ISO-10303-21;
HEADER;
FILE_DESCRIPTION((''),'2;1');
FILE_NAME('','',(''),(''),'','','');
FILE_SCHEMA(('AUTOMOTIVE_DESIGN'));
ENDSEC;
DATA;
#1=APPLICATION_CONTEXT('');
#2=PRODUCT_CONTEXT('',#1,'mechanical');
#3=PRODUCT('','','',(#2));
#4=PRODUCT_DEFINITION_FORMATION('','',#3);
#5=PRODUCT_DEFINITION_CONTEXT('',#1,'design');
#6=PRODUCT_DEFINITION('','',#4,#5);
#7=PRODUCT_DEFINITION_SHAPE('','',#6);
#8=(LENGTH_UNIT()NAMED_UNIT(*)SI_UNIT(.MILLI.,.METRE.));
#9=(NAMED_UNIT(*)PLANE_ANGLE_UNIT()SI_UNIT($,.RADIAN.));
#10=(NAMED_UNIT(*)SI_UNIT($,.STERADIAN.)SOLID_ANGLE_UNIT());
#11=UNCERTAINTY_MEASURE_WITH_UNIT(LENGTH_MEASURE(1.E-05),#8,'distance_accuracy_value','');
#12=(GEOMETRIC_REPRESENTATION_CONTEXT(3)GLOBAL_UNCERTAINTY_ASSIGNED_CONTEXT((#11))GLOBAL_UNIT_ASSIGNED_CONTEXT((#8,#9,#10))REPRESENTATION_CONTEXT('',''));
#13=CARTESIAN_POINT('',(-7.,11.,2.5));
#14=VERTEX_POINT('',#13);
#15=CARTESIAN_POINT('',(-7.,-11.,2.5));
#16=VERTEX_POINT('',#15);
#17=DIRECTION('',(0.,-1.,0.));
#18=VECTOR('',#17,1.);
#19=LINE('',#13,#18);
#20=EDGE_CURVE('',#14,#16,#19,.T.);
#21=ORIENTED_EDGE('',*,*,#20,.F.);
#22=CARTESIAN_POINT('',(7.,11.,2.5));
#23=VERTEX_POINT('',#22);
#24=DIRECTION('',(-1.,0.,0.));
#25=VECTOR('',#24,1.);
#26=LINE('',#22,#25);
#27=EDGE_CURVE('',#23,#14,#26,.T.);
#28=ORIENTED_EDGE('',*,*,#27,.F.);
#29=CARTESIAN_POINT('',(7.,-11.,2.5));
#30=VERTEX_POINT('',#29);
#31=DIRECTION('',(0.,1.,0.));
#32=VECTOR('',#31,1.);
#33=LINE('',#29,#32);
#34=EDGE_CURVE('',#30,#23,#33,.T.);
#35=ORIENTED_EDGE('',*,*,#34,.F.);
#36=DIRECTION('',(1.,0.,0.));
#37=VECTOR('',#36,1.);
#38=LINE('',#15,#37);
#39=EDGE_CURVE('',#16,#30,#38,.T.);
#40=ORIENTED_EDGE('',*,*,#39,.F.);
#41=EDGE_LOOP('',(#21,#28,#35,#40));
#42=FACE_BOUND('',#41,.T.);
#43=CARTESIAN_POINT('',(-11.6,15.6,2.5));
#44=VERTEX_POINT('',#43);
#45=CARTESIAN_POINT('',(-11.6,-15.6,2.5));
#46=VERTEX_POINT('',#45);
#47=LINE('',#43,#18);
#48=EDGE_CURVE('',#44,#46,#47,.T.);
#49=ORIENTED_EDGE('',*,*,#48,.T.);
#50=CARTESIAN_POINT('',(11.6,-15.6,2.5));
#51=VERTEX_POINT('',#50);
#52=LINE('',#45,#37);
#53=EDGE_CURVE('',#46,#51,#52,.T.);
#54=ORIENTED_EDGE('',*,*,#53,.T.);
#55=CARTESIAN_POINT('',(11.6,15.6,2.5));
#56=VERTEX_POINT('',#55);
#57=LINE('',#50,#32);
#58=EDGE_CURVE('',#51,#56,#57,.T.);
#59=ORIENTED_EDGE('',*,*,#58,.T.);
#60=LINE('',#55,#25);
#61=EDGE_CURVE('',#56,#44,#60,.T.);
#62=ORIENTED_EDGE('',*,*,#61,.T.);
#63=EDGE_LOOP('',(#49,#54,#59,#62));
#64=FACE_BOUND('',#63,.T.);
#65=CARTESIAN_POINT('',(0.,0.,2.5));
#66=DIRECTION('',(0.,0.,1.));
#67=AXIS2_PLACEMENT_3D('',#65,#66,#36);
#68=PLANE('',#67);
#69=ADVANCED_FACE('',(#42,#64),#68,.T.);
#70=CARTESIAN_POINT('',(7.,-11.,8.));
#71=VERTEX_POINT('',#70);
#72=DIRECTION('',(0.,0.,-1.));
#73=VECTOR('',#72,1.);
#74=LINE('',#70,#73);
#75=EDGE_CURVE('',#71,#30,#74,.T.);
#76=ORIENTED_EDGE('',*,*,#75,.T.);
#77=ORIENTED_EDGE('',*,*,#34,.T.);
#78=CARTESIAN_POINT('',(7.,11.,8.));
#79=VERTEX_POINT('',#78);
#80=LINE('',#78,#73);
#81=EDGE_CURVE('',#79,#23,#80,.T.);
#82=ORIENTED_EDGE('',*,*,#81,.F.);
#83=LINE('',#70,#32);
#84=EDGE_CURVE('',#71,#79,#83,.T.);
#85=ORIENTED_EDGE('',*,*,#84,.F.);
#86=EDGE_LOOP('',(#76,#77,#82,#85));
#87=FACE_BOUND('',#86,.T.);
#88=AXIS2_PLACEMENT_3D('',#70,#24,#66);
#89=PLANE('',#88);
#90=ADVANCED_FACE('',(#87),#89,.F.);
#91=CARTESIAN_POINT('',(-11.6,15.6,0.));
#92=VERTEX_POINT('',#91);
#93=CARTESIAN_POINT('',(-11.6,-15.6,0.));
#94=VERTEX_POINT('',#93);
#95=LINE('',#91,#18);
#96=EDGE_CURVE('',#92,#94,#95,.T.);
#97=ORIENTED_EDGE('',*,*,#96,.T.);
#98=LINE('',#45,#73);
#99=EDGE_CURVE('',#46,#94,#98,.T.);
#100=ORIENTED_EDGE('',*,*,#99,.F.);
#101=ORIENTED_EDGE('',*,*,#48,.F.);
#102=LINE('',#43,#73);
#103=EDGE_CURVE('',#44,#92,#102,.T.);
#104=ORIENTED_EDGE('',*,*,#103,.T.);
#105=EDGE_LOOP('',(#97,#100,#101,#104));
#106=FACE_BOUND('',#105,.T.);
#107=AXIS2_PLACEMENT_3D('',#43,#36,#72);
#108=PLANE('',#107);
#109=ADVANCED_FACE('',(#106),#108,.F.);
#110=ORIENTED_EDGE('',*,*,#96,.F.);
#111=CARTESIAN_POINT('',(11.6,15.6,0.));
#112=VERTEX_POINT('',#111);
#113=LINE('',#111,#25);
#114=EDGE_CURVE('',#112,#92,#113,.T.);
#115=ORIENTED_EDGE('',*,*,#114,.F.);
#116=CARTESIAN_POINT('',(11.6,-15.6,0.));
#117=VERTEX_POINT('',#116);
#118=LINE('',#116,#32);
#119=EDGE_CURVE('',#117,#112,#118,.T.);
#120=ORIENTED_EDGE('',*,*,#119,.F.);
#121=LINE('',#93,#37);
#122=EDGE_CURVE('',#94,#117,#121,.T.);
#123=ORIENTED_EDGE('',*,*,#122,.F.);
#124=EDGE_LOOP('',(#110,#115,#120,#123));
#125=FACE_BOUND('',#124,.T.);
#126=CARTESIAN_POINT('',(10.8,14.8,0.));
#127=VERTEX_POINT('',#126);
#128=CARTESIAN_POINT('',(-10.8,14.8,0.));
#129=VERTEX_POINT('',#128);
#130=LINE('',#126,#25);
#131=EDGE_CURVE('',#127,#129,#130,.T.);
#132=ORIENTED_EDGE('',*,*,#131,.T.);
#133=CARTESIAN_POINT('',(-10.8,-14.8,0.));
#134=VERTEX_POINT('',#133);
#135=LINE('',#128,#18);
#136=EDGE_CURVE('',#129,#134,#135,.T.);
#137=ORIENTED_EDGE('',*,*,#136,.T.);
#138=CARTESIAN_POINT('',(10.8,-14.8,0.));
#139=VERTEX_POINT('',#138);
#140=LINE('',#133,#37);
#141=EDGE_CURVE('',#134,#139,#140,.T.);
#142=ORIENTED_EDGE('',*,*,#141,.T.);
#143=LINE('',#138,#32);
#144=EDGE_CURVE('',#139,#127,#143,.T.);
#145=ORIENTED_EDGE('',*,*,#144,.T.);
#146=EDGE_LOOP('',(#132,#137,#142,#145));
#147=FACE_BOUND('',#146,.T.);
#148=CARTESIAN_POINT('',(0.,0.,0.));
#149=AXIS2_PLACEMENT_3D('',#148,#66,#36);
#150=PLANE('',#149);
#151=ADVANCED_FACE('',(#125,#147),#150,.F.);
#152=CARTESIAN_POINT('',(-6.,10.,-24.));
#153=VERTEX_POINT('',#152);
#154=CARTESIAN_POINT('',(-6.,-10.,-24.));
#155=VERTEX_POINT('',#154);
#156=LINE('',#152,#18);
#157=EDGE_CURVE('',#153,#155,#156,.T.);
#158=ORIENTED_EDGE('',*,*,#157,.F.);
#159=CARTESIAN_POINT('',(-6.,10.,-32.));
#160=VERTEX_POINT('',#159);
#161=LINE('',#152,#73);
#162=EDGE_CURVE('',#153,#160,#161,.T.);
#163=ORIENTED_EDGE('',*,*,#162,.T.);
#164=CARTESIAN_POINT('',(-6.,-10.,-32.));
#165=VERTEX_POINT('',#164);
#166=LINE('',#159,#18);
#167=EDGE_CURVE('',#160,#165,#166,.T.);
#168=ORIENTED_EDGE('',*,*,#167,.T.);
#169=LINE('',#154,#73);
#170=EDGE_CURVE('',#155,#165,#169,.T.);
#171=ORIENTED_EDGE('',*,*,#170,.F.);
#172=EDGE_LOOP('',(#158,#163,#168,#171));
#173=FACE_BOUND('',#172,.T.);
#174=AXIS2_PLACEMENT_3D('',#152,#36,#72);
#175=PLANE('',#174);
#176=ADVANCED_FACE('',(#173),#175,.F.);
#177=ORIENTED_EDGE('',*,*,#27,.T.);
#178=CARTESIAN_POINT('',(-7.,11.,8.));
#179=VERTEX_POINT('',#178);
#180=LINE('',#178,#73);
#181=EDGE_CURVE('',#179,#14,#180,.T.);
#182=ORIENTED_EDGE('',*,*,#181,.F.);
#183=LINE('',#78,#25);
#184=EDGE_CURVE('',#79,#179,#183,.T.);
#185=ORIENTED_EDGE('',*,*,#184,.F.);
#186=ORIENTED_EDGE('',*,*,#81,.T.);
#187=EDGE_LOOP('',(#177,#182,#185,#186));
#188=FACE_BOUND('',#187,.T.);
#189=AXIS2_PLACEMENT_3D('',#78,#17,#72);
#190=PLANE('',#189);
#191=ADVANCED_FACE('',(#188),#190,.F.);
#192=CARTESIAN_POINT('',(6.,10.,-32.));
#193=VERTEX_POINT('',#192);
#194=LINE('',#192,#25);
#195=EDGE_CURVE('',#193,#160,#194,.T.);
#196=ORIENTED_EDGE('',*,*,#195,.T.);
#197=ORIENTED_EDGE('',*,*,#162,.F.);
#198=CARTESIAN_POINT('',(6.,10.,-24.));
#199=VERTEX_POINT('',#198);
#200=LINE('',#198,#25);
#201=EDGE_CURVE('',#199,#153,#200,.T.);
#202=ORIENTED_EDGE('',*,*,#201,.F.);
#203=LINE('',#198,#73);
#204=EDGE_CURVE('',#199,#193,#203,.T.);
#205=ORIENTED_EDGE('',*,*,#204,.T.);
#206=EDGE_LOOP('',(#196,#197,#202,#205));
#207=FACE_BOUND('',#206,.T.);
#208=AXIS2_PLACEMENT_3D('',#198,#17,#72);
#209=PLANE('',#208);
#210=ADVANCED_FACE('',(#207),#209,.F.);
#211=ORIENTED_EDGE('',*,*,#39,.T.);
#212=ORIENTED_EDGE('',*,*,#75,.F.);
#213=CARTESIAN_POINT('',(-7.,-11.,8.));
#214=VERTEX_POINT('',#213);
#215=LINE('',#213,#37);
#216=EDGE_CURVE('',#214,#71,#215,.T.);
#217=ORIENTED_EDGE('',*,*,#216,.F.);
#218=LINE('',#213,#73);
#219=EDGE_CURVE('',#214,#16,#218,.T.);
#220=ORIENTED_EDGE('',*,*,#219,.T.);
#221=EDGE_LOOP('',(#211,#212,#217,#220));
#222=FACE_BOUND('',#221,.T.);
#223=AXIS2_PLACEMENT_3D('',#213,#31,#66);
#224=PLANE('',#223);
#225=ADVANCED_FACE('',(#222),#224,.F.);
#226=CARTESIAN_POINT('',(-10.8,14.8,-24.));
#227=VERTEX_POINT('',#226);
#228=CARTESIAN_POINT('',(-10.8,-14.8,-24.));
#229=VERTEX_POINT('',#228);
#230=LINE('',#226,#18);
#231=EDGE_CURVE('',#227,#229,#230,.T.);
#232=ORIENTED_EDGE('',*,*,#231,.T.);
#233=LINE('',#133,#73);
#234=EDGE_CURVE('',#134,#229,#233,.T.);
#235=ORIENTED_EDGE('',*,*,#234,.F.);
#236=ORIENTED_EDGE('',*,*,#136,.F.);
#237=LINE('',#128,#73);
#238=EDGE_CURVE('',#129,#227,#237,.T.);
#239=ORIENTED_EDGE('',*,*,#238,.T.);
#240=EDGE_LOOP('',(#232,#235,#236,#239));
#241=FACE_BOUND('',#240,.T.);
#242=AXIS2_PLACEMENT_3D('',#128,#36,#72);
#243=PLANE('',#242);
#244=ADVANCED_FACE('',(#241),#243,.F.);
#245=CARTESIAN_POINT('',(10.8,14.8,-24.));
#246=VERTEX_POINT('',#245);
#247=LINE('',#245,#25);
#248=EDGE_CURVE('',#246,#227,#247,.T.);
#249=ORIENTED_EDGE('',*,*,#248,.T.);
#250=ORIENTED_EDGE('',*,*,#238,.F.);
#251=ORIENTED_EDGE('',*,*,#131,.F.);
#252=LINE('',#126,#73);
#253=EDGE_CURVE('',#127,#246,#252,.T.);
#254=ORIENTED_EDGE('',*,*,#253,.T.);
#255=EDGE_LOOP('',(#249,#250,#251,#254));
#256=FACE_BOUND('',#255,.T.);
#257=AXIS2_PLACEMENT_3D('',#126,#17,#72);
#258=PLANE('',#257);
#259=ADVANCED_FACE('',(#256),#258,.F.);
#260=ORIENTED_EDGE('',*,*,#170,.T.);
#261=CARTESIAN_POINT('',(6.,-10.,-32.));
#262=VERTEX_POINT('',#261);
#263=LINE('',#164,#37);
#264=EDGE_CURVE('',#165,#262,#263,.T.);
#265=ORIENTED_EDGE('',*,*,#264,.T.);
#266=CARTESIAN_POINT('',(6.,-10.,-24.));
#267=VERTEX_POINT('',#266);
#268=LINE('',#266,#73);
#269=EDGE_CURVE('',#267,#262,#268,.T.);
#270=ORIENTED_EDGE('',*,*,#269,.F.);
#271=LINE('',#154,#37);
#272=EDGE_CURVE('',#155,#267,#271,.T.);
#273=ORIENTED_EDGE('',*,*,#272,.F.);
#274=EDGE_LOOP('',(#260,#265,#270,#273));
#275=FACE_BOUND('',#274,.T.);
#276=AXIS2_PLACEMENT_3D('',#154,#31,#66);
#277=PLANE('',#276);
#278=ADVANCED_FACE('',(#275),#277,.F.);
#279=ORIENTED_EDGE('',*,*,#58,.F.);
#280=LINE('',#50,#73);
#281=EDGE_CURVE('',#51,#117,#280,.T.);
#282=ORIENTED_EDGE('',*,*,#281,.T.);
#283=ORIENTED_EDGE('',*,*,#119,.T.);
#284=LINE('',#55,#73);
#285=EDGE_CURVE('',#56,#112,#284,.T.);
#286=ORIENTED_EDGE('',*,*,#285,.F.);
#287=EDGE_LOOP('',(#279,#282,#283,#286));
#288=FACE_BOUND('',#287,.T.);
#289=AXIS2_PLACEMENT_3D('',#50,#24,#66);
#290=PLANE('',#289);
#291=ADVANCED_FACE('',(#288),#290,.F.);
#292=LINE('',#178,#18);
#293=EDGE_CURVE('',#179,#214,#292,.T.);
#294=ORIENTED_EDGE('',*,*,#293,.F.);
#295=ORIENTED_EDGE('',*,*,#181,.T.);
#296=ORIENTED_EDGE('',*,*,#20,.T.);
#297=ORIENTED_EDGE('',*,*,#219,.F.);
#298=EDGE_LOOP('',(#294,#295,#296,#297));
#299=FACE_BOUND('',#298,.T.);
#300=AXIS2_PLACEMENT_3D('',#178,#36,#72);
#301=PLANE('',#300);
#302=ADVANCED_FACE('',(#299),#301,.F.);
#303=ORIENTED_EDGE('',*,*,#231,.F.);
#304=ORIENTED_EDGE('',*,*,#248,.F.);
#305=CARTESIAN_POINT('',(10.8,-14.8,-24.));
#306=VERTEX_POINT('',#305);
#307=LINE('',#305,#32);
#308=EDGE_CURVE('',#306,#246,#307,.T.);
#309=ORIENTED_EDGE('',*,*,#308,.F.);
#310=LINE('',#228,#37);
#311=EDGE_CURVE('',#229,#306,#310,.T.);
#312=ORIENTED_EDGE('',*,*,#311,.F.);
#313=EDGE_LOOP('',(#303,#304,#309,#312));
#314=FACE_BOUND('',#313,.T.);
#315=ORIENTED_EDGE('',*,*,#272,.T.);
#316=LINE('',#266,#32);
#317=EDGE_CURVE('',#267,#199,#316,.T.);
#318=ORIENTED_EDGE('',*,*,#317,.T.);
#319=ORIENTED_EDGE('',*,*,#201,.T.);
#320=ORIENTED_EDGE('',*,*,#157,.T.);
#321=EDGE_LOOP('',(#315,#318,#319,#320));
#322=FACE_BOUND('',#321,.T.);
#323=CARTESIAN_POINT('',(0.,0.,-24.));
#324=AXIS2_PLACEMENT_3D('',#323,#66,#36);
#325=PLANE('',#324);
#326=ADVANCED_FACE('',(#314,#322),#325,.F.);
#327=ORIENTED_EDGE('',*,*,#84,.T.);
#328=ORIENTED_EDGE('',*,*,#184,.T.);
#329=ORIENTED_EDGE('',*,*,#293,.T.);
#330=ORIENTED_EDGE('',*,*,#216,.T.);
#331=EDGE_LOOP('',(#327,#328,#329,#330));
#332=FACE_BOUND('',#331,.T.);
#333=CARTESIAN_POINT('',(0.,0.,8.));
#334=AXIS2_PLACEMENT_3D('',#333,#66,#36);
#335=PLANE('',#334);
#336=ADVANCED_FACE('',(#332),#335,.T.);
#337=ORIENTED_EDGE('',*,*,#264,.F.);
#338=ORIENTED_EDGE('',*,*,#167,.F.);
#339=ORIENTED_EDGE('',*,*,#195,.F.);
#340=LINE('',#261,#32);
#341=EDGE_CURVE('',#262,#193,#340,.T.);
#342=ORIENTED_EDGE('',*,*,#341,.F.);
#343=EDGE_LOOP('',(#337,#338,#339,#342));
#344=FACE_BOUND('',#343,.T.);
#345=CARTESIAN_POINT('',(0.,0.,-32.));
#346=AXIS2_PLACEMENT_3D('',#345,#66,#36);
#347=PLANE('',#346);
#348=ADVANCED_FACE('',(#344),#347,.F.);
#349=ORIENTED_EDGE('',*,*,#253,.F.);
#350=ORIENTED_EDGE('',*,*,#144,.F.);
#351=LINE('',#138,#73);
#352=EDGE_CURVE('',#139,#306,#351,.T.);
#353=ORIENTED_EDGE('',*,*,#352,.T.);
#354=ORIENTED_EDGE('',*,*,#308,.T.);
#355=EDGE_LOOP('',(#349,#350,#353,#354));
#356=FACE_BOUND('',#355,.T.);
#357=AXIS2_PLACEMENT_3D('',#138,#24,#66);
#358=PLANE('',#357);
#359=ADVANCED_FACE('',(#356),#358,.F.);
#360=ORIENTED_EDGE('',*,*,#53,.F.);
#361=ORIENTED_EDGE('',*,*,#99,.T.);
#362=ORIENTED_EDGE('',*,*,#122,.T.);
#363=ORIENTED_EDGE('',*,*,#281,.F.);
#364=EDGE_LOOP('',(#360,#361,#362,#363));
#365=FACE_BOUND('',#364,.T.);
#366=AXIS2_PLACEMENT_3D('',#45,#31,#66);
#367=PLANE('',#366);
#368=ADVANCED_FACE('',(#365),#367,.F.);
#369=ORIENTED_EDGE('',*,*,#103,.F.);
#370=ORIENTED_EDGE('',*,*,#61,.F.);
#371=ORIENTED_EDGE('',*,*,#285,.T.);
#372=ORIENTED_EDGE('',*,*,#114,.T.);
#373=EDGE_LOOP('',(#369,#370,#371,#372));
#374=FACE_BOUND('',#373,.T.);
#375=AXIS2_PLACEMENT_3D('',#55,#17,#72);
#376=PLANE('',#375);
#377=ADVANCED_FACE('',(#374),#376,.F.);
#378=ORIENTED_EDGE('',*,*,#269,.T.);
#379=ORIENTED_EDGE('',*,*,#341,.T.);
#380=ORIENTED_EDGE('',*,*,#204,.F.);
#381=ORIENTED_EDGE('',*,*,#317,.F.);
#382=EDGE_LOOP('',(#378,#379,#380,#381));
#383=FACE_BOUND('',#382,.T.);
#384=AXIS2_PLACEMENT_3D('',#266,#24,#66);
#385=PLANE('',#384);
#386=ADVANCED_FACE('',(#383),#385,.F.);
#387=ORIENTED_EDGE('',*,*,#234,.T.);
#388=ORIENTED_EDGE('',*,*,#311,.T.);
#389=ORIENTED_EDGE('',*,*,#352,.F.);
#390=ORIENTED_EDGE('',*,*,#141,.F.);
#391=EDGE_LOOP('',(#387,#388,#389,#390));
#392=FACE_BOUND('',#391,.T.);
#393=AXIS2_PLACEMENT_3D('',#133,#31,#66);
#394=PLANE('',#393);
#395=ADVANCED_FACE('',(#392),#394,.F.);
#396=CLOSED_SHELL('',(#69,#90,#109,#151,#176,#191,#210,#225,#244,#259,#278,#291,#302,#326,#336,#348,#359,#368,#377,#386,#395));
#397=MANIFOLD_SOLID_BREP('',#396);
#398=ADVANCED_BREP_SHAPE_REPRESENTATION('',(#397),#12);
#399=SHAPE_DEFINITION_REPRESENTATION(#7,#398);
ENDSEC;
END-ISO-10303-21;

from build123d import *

# Parameters (mm, degrees)
SKETCH1_W       = 23.2
SKETCH1_H       = 31.2
BEZEL_DEPTH     = 2.5
SKETCH2_W       = 14
SKETCH2_H       = 22
ROCKER_DEPTH    = 5.5
SKETCH3_W       = 21.6
SKETCH3_H       = 29.6
BODY_DEPTH      = 24
SKETCH4_W       = 12
SKETCH4_H       = 20
TERMINALS_DEPTH = 8


with BuildPart() as part:
    # Sketch1 → Bezel (new body)
    with BuildSketch(Plane.XY):
        Rectangle(SKETCH1_W, SKETCH1_H)
    extrude(amount=BEZEL_DEPTH)

    # Sketch2 → Rocker (add)
    with BuildSketch(Plane.XY.offset(2.5)):
        Rectangle(SKETCH2_W, SKETCH2_H)
    extrude(amount=ROCKER_DEPTH)

    # Sketch3 → Body (add)
    with BuildSketch(Plane.XY.offset(-24)):
        Rectangle(SKETCH3_W, SKETCH3_H)
    extrude(amount=BODY_DEPTH)

    # Sketch4 → Terminals (add)
    with BuildSketch(Plane.XY.offset(-32)):
        Rectangle(SKETCH4_W, SKETCH4_H)
    extrude(amount=TERMINALS_DEPTH)


solid = part.part
